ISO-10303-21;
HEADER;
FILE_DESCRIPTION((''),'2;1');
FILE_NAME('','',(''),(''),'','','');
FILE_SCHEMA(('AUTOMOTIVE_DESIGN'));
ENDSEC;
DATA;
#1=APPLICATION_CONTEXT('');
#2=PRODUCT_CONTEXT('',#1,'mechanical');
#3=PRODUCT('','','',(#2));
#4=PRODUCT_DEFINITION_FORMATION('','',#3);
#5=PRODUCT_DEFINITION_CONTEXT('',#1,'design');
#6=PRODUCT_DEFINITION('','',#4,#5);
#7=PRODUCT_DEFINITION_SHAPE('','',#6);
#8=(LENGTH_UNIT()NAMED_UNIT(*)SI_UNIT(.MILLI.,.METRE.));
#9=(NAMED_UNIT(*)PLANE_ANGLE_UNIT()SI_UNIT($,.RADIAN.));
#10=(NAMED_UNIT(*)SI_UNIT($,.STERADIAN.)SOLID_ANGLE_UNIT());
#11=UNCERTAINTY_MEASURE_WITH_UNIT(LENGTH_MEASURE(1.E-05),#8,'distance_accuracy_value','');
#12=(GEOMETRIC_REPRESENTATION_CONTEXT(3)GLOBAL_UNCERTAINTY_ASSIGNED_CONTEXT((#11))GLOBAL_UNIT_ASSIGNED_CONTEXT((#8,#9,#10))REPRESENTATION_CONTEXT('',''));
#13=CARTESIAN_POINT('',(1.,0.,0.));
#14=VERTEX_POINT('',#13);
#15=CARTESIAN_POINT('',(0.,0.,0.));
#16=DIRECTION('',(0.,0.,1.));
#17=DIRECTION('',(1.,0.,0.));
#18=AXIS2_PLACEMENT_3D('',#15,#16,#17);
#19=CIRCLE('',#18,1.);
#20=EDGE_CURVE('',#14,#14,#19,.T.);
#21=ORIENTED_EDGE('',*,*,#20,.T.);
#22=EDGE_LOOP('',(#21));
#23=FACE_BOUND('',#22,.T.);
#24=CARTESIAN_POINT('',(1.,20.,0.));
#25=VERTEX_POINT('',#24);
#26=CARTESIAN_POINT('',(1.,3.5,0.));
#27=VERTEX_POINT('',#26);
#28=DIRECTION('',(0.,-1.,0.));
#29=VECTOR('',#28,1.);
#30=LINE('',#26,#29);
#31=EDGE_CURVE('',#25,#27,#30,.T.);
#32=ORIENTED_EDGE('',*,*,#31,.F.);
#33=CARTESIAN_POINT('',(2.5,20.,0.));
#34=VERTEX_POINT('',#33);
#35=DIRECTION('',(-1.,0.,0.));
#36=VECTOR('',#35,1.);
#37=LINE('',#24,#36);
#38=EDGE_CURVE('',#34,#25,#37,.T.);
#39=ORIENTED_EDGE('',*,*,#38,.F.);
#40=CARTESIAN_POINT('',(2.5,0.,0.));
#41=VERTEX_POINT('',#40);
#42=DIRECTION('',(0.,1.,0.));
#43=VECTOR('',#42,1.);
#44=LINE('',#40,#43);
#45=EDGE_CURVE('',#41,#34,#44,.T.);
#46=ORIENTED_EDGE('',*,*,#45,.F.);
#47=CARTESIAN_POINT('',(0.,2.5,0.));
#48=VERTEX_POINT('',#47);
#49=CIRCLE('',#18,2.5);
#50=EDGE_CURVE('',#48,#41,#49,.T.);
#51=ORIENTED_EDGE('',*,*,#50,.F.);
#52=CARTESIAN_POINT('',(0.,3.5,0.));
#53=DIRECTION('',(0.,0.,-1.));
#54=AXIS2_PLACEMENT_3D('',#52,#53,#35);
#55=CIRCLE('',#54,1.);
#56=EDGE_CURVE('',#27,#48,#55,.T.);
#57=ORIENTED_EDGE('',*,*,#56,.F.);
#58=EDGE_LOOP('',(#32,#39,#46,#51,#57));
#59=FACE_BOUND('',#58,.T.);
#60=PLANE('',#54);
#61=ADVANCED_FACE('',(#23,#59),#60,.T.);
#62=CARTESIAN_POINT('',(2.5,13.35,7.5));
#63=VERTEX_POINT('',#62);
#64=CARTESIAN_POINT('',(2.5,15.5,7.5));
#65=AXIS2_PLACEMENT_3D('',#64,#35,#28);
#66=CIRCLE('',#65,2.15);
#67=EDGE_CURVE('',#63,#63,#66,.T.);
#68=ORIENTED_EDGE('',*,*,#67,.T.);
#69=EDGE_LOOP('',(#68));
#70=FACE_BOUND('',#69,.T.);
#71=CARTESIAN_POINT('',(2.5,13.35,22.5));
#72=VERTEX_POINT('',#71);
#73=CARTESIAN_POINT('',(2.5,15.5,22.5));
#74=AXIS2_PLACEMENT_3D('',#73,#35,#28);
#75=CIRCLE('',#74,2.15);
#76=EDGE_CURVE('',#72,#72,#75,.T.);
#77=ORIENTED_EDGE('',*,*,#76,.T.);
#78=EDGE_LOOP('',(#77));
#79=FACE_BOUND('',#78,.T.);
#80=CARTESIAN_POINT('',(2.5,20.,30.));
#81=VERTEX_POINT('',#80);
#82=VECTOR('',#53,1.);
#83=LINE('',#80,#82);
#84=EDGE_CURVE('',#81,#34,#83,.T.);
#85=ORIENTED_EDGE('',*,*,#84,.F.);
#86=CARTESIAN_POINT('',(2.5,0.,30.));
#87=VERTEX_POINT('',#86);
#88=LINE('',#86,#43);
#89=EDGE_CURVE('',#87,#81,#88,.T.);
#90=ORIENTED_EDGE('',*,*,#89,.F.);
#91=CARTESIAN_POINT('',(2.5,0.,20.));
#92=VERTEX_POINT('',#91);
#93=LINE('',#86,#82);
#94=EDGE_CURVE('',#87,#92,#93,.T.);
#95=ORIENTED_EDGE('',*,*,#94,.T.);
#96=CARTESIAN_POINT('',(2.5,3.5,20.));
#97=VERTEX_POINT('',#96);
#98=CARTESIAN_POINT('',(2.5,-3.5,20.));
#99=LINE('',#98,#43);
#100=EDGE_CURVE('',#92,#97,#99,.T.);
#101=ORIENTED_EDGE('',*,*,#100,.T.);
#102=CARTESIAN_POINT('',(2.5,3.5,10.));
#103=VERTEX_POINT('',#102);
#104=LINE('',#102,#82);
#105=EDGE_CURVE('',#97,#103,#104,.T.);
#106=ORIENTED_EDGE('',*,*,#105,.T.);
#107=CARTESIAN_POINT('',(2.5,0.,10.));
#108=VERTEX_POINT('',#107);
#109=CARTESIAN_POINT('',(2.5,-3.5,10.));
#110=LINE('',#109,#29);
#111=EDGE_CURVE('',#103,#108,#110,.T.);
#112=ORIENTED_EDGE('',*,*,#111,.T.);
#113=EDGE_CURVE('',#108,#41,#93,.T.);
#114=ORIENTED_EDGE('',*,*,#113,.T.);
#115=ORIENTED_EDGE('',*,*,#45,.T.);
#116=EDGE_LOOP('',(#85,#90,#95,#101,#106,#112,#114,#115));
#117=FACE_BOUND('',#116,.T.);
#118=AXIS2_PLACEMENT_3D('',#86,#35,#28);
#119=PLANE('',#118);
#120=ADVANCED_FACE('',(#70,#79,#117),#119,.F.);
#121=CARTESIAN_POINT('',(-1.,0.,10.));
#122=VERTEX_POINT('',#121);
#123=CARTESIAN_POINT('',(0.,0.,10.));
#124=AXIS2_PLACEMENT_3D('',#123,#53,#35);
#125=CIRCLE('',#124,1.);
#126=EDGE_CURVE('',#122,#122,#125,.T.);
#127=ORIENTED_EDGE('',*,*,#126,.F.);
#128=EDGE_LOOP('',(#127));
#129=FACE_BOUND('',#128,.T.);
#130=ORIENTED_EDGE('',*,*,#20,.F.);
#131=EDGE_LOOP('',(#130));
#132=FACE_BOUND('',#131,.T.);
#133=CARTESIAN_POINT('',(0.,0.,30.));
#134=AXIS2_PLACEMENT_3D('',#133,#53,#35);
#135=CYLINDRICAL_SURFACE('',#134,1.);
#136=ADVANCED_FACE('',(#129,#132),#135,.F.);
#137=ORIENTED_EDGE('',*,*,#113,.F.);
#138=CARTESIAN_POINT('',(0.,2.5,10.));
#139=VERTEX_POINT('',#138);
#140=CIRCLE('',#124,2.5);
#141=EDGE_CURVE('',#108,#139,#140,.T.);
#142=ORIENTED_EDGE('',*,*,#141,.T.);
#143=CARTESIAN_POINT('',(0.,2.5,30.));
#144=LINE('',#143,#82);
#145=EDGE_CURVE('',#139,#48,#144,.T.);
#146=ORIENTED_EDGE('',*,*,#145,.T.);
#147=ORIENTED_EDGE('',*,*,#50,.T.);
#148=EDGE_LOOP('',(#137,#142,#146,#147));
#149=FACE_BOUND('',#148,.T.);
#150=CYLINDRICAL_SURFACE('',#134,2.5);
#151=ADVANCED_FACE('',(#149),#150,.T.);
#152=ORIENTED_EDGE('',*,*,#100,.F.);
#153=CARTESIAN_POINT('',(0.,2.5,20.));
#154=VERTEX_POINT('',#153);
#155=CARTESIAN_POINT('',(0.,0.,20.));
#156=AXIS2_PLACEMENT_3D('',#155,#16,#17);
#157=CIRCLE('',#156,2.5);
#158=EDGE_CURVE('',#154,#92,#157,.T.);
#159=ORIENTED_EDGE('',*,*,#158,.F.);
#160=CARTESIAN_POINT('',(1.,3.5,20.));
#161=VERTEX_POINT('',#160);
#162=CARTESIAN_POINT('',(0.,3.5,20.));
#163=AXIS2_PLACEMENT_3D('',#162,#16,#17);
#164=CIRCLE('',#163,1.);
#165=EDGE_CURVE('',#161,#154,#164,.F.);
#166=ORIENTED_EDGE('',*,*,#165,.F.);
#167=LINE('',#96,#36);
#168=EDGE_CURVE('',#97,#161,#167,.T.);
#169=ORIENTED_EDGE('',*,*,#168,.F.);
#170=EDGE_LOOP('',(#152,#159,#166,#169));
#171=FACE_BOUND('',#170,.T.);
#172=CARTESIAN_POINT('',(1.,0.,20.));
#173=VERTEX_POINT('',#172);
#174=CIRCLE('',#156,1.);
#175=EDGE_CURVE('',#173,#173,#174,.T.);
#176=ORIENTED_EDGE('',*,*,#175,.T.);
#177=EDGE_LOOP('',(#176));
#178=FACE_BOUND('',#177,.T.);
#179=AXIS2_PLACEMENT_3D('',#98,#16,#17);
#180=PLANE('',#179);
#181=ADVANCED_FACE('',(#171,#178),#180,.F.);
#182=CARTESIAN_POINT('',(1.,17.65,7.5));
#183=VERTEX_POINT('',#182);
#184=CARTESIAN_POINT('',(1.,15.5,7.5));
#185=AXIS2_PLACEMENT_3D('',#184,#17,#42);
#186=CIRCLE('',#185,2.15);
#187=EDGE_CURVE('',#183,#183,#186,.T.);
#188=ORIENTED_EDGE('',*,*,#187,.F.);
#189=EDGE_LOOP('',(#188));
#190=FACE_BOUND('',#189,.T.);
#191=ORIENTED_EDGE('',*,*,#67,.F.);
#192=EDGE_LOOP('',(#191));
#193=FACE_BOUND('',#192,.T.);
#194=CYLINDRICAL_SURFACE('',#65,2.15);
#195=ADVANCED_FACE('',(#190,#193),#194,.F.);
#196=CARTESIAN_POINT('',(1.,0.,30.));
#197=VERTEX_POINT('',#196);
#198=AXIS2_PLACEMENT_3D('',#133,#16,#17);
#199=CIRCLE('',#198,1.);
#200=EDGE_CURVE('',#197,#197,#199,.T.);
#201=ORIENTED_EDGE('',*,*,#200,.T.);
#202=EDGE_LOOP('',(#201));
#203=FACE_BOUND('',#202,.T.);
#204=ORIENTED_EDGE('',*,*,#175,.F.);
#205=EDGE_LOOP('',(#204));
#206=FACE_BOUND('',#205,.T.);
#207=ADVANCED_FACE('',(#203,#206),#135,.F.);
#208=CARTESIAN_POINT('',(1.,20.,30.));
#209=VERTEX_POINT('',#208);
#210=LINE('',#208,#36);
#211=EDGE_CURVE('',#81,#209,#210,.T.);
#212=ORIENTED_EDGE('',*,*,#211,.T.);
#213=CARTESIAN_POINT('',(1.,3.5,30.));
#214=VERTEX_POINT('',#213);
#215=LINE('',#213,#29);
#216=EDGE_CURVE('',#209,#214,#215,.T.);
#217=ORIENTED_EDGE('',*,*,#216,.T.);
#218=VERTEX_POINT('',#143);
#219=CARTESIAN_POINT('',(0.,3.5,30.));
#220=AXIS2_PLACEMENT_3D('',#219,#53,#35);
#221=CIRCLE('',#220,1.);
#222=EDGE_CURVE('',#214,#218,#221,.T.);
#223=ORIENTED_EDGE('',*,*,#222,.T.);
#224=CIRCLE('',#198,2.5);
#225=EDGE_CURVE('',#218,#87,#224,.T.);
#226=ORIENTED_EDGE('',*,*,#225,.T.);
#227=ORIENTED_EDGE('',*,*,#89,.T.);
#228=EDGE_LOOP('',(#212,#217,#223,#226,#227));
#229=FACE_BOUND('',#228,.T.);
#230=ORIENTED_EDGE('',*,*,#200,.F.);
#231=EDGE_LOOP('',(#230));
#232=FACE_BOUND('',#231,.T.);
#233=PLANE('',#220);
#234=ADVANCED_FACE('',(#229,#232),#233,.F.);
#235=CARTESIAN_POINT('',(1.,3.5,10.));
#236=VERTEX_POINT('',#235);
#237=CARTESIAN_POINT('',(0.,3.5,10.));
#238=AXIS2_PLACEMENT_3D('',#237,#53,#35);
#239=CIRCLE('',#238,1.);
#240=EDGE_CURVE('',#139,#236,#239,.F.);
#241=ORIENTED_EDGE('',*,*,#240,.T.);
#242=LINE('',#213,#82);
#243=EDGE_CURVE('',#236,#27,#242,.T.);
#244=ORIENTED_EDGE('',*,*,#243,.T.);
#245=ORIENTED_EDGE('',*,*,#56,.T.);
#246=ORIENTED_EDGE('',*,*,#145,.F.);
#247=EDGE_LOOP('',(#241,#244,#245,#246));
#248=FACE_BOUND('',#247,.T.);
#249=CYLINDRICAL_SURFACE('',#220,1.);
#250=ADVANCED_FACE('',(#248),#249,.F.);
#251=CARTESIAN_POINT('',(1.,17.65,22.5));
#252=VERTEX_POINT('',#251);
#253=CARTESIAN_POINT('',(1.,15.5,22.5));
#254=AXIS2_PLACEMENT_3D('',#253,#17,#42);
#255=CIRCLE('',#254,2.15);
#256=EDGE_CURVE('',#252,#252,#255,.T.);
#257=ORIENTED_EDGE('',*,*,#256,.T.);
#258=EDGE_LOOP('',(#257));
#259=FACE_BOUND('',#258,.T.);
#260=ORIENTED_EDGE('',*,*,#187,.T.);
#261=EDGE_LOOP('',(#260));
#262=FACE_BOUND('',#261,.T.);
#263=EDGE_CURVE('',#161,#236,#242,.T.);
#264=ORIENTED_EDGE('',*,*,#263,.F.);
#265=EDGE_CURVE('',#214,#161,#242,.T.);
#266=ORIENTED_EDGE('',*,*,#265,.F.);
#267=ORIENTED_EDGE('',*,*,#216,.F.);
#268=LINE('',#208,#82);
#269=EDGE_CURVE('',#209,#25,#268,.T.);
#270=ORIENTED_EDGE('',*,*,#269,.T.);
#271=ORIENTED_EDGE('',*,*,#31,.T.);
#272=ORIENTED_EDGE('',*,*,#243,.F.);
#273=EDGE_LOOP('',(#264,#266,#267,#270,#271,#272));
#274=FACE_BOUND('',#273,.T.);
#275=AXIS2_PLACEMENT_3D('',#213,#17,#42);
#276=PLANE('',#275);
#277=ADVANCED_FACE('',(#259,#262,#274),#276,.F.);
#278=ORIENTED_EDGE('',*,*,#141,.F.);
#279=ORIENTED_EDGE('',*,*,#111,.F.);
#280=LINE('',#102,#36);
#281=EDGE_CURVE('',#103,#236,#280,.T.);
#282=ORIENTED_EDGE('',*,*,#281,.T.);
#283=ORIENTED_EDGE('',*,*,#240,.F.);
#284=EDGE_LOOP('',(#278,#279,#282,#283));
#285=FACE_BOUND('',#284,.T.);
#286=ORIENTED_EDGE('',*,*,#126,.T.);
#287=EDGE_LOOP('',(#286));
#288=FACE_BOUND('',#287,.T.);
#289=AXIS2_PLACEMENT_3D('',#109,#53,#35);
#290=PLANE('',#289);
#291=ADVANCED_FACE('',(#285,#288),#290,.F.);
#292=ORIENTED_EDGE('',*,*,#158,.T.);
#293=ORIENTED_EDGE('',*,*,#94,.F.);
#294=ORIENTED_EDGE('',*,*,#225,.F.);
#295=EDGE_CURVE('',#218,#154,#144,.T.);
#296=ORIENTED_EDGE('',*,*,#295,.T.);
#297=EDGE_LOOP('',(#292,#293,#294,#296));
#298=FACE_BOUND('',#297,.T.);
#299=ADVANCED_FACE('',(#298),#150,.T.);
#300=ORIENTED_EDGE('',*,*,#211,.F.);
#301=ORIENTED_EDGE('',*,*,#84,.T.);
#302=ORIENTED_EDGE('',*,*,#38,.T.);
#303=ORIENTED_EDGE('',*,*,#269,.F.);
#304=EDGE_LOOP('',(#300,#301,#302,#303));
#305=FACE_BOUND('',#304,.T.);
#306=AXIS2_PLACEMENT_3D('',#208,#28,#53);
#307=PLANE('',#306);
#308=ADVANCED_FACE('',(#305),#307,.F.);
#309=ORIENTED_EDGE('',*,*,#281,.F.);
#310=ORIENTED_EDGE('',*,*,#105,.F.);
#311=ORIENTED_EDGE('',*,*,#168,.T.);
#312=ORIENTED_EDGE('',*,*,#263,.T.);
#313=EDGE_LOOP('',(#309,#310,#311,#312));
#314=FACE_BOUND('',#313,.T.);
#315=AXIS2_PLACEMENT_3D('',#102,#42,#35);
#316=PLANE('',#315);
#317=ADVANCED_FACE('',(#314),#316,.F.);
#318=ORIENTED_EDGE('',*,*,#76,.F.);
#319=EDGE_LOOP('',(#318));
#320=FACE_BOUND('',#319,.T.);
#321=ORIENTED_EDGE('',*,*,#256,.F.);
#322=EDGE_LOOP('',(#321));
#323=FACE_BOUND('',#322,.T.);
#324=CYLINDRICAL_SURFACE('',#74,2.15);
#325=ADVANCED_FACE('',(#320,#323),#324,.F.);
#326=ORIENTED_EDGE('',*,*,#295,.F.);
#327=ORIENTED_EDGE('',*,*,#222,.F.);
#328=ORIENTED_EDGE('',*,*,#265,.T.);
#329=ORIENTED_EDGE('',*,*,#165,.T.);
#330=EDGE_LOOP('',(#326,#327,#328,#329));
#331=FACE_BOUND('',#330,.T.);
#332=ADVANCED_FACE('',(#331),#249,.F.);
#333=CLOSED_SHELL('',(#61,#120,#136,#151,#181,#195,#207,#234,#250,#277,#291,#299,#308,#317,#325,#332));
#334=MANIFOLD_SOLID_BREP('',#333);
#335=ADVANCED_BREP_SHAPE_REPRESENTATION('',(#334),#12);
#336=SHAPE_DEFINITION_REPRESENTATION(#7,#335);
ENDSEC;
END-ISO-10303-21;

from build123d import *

# Parameters (mm, degrees)
SKETCH2_R               = 1
BOSS_EXTRUDE2_DEPTH     = 30
CUT_EXTRUDE1_DEPTH      = 37.224991373
CUT_EXTRUDE1_DEPTH_BACK = 37.224991373
SKETCH3_R               = 2.15
SKETCH3_W               = 10
SKETCH3_H               = 7


with BuildPart() as part:
    # Sketch2 → Boss-Extrude2 (new body)
    with BuildSketch(Plane.XY):
        with BuildLine():
            Line((1, 3.5), (1, 20))
            Line((1, 20), (2.5, 20))
            Line((2.5, 20), (2.5, 0))
            ThreePointArc((2.5, 0), (-1.767766953, -1.767766953), (0, 2.5))
            ThreePointArc((0, 2.5), (0.707106781, 2.792893219), (1, 3.5))
        make_face()
        Circle(SKETCH2_R, mode=Mode.SUBTRACT)
    extrude(amount=BOSS_EXTRUDE2_DEPTH)

    # Sketch3 → Cut-Extrude1 (cut, two sides: drawn at the far end of the back side and taken through both)
    with BuildSketch(Plane.ZY.offset(-1).offset(-CUT_EXTRUDE1_DEPTH_BACK)):
        with Locations(Location((7.5, 15.5, 0), (0, 0, 270))):
            Circle(SKETCH3_R)
        with Locations(Location((22.5, 15.5, 0), (0, 0, 270))):
            Circle(SKETCH3_R)
        with Locations((15, 0)):
            Rectangle(SKETCH3_W, SKETCH3_H)
    extrude(amount=CUT_EXTRUDE1_DEPTH + CUT_EXTRUDE1_DEPTH_BACK, mode=Mode.SUBTRACT)


solid = part.part
